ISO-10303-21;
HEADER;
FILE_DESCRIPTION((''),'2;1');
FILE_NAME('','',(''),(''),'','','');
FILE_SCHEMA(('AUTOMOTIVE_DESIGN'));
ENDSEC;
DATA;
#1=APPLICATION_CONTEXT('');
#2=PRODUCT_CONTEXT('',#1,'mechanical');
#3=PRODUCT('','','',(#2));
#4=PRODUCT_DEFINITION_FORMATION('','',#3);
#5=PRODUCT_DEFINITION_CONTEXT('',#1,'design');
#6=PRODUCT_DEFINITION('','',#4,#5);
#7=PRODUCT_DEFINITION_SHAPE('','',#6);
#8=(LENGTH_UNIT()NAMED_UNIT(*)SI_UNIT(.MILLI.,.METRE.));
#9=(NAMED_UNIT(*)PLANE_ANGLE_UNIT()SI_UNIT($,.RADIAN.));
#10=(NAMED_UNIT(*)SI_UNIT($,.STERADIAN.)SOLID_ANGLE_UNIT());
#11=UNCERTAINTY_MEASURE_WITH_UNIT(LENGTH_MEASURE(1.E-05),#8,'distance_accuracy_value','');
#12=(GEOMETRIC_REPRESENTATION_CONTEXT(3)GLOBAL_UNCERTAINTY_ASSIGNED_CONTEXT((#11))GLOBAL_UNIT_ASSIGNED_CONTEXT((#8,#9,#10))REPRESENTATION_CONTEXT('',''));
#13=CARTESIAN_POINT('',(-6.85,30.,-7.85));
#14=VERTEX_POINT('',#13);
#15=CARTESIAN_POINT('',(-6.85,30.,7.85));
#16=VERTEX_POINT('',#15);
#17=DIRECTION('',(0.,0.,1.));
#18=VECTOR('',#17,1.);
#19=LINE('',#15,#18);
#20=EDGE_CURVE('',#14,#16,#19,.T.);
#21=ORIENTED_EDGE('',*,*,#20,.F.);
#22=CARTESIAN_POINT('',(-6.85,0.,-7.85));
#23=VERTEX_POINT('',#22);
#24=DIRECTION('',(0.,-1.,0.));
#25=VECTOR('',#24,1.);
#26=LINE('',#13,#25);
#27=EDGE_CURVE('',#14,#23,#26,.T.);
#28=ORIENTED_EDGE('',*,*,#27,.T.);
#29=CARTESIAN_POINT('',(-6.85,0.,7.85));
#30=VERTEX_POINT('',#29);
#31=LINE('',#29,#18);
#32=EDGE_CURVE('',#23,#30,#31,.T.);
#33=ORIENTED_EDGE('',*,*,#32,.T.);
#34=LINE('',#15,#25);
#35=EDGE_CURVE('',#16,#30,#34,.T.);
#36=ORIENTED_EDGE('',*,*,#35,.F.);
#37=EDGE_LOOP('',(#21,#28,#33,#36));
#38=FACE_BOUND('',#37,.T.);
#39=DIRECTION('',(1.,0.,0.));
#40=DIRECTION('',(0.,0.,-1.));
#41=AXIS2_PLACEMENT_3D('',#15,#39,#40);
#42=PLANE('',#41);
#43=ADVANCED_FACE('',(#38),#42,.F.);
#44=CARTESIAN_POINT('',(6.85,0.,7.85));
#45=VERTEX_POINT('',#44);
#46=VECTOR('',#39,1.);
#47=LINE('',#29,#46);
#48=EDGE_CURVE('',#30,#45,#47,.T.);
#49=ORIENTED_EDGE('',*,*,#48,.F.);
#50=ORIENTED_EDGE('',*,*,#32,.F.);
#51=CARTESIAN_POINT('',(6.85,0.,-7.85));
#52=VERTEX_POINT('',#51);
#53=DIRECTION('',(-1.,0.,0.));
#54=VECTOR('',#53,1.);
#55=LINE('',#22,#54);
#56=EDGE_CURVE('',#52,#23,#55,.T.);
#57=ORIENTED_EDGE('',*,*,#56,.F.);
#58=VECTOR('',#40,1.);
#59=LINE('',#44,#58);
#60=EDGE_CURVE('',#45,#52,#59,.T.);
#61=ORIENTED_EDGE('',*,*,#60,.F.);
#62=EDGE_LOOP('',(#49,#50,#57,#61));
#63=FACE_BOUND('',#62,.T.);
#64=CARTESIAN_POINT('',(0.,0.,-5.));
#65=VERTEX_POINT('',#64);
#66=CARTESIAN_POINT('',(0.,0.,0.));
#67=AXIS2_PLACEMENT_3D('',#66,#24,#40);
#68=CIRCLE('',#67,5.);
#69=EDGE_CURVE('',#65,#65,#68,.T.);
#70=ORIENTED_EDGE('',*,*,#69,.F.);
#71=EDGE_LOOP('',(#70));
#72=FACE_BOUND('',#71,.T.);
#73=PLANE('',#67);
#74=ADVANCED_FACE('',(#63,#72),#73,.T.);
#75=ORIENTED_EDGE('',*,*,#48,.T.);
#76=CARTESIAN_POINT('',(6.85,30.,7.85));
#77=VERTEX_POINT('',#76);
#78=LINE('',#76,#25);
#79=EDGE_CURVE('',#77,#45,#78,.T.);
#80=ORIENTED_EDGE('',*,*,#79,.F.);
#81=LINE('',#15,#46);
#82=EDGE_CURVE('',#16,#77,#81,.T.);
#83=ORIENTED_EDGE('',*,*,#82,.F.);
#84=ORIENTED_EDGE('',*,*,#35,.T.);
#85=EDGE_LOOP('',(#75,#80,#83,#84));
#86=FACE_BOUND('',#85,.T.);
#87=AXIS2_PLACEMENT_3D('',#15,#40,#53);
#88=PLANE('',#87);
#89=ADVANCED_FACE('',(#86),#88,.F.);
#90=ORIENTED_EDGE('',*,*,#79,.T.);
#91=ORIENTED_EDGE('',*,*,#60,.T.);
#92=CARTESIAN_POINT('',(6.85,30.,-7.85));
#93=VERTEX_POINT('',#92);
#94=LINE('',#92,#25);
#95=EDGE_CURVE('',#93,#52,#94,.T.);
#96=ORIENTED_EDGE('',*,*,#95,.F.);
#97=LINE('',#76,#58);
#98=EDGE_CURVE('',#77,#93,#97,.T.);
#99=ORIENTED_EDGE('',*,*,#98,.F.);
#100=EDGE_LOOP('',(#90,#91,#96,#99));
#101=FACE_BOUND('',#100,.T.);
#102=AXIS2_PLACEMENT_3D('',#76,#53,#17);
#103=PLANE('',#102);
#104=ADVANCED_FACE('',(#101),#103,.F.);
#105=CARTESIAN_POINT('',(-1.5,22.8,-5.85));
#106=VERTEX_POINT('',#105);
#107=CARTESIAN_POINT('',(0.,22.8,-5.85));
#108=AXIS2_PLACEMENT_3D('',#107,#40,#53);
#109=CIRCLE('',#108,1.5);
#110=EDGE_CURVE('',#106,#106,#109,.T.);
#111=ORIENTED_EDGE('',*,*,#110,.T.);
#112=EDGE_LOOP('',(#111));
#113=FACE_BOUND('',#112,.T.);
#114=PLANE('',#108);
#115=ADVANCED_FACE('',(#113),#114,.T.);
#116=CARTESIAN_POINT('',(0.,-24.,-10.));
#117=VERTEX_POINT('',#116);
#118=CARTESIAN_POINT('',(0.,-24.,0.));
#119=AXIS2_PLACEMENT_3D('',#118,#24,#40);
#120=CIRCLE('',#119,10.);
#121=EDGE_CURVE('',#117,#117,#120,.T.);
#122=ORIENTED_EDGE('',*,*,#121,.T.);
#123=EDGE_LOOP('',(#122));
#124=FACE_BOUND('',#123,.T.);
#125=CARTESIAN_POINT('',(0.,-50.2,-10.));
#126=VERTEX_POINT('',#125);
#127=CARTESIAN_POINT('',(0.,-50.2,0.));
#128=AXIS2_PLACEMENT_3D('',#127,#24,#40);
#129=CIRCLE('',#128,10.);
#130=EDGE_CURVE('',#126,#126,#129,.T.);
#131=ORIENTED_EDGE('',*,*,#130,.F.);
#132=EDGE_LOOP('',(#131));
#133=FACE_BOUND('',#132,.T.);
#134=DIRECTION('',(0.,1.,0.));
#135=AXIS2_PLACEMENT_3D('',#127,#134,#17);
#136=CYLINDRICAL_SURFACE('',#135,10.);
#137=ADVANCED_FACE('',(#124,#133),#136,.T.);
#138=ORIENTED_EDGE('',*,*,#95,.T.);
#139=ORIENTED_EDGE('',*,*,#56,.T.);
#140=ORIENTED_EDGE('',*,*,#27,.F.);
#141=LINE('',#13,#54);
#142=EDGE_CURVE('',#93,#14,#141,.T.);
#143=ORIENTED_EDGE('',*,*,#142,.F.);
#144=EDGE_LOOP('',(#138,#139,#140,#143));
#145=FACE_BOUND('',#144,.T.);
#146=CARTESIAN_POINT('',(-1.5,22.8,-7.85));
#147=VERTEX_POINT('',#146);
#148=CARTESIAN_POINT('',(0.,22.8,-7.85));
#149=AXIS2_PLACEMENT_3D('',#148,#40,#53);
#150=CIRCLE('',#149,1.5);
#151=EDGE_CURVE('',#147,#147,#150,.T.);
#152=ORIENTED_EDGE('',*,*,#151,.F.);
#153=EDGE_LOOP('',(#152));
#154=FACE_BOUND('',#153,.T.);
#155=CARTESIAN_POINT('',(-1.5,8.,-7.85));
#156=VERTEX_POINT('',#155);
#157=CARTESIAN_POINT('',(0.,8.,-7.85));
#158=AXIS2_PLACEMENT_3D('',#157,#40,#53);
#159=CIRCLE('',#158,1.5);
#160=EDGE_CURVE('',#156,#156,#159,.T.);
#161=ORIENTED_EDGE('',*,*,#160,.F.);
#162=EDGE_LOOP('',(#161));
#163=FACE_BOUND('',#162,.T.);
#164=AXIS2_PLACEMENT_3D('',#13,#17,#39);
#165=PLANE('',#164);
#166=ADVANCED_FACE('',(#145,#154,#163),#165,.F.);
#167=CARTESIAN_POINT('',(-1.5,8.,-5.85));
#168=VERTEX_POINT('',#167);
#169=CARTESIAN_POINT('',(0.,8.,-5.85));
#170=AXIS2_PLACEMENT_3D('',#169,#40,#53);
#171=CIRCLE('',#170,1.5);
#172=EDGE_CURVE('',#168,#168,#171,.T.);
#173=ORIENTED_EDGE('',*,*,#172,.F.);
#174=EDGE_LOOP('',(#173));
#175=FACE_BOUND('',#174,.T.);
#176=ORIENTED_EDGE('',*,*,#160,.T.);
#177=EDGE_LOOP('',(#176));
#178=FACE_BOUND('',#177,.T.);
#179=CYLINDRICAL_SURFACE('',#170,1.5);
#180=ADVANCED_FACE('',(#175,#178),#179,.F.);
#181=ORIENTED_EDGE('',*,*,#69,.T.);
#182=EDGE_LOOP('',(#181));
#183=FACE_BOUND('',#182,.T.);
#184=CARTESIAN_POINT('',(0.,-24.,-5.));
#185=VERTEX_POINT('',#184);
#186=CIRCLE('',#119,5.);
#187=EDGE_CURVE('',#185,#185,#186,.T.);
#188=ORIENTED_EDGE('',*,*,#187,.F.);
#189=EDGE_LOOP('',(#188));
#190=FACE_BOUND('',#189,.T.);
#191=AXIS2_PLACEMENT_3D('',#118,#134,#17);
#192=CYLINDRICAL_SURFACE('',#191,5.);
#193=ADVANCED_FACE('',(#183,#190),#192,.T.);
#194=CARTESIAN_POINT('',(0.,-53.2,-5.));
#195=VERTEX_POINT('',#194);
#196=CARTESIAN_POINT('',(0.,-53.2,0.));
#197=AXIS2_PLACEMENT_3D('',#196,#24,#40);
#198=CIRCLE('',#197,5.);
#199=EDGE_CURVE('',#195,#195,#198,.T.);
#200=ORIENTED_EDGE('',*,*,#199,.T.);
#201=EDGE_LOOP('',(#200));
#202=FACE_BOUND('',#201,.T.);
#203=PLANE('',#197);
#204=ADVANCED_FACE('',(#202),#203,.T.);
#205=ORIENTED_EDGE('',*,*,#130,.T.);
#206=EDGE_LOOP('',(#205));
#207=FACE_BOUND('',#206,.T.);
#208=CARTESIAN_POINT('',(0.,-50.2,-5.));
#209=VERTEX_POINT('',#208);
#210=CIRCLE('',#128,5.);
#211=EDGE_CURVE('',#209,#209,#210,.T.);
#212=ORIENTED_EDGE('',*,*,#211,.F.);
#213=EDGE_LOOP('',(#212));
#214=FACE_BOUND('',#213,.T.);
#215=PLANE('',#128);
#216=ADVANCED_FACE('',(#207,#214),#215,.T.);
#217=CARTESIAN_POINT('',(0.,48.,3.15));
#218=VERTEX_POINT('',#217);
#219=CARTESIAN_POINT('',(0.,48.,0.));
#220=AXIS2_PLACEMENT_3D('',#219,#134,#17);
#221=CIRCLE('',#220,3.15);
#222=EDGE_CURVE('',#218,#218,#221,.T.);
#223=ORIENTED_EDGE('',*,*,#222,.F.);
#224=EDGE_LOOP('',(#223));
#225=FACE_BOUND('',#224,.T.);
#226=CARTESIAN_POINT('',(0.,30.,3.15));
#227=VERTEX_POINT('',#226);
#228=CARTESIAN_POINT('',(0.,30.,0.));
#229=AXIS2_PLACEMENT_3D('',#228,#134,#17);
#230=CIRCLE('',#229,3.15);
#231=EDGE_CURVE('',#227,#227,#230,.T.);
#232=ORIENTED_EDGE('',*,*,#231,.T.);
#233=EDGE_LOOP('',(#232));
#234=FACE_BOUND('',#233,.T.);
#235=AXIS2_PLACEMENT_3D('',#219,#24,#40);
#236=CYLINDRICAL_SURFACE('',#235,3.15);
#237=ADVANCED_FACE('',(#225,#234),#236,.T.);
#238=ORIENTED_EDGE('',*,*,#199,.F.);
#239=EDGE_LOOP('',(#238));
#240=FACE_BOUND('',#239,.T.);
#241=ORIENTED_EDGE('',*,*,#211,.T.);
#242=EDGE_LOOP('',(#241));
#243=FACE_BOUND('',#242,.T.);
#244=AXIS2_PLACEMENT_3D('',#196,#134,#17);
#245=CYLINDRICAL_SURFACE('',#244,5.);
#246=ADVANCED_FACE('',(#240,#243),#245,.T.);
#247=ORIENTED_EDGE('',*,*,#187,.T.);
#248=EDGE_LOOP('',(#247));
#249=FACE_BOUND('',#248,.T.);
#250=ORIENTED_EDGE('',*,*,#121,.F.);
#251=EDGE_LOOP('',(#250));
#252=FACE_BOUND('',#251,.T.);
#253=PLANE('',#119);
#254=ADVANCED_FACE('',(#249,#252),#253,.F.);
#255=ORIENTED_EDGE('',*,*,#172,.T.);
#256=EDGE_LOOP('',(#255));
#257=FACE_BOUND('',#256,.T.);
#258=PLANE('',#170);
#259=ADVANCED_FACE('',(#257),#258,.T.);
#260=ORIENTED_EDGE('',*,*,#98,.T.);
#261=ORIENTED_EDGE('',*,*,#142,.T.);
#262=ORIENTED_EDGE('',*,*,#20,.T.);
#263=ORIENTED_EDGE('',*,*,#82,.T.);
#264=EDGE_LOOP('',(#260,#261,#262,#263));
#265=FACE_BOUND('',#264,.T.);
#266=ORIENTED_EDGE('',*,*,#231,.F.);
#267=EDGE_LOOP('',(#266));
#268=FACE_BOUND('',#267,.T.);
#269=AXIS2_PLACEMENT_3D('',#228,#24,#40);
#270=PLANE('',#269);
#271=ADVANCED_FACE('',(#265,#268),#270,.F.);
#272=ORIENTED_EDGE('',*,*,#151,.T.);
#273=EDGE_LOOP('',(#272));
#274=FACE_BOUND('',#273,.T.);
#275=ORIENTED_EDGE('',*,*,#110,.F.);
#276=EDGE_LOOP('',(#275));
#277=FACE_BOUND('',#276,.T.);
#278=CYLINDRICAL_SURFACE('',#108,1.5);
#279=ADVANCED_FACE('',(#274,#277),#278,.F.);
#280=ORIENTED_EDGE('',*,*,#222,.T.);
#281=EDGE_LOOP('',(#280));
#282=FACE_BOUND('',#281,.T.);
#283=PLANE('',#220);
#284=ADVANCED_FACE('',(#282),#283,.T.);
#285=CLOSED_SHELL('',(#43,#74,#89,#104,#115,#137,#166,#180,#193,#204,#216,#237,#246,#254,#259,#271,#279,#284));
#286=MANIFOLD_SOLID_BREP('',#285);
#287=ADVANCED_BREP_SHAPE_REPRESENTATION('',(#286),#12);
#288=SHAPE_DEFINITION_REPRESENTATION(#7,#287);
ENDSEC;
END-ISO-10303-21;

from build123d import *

# Parameters (mm, degrees)
SKETCH1_W           = 13.7
SKETCH1_H           = 15.7
BOSS_EXTRUDE1_DEPTH = 30
SKETCH2_R           = 5
BOSS_EXTRUDE2_DEPTH = 24
SKETCH3_R           = 10
BOSS_EXTRUDE3_DEPTH = 26.2
SKETCH4_R           = 5
BOSS_EXTRUDE4_DEPTH = 3
SKETCH5_R           = 3.15
BOSS_EXTRUDE5_DEPTH = 18
SKETCH8_R           = 1.5
CUT_EXTRUDE1_DEPTH  = 2


with BuildPart() as part:
    # Sketch1 → Boss-Extrude1 (new body)
    with BuildSketch(Plane(origin=(0, 0, 0), x_dir=(1, 0, 0), z_dir=(0, 1, 0))):
        Rectangle(SKETCH1_W, SKETCH1_H)
    extrude(amount=BOSS_EXTRUDE1_DEPTH)

    # Sketch2 → Boss-Extrude2 (add)
    with BuildSketch(Plane.XZ):
        Circle(SKETCH2_R)
    extrude(amount=BOSS_EXTRUDE2_DEPTH)

    # Sketch3 → Boss-Extrude3 (add)
    with BuildSketch(Plane.XZ.offset(24)):
        Circle(SKETCH3_R)
    extrude(amount=BOSS_EXTRUDE3_DEPTH)

    # Sketch4 → Boss-Extrude4 (add)
    with BuildSketch(Plane.XZ.offset(50.2)):
        Circle(SKETCH4_R)
    extrude(amount=BOSS_EXTRUDE4_DEPTH)

    # Sketch5 → Boss-Extrude5 (add)
    with BuildSketch(Plane(origin=(0, 30, 0), x_dir=(1, 0, 0), z_dir=(0, 1, 0))):
        Circle(SKETCH5_R)
    extrude(amount=BOSS_EXTRUDE5_DEPTH)

    # Sketch8 → Cut-Extrude1 (cut)
    with BuildSketch(Plane(origin=(0, 0, -7.85), x_dir=(-1, 0, 0), z_dir=(0, 0, -1))):
        with Locations((0, 8)):
            Circle(SKETCH8_R)
        with Locations((0, 22.8)):
            Circle(SKETCH8_R)
    extrude(amount=-CUT_EXTRUDE1_DEPTH, mode=Mode.SUBTRACT)


solid = part.part
